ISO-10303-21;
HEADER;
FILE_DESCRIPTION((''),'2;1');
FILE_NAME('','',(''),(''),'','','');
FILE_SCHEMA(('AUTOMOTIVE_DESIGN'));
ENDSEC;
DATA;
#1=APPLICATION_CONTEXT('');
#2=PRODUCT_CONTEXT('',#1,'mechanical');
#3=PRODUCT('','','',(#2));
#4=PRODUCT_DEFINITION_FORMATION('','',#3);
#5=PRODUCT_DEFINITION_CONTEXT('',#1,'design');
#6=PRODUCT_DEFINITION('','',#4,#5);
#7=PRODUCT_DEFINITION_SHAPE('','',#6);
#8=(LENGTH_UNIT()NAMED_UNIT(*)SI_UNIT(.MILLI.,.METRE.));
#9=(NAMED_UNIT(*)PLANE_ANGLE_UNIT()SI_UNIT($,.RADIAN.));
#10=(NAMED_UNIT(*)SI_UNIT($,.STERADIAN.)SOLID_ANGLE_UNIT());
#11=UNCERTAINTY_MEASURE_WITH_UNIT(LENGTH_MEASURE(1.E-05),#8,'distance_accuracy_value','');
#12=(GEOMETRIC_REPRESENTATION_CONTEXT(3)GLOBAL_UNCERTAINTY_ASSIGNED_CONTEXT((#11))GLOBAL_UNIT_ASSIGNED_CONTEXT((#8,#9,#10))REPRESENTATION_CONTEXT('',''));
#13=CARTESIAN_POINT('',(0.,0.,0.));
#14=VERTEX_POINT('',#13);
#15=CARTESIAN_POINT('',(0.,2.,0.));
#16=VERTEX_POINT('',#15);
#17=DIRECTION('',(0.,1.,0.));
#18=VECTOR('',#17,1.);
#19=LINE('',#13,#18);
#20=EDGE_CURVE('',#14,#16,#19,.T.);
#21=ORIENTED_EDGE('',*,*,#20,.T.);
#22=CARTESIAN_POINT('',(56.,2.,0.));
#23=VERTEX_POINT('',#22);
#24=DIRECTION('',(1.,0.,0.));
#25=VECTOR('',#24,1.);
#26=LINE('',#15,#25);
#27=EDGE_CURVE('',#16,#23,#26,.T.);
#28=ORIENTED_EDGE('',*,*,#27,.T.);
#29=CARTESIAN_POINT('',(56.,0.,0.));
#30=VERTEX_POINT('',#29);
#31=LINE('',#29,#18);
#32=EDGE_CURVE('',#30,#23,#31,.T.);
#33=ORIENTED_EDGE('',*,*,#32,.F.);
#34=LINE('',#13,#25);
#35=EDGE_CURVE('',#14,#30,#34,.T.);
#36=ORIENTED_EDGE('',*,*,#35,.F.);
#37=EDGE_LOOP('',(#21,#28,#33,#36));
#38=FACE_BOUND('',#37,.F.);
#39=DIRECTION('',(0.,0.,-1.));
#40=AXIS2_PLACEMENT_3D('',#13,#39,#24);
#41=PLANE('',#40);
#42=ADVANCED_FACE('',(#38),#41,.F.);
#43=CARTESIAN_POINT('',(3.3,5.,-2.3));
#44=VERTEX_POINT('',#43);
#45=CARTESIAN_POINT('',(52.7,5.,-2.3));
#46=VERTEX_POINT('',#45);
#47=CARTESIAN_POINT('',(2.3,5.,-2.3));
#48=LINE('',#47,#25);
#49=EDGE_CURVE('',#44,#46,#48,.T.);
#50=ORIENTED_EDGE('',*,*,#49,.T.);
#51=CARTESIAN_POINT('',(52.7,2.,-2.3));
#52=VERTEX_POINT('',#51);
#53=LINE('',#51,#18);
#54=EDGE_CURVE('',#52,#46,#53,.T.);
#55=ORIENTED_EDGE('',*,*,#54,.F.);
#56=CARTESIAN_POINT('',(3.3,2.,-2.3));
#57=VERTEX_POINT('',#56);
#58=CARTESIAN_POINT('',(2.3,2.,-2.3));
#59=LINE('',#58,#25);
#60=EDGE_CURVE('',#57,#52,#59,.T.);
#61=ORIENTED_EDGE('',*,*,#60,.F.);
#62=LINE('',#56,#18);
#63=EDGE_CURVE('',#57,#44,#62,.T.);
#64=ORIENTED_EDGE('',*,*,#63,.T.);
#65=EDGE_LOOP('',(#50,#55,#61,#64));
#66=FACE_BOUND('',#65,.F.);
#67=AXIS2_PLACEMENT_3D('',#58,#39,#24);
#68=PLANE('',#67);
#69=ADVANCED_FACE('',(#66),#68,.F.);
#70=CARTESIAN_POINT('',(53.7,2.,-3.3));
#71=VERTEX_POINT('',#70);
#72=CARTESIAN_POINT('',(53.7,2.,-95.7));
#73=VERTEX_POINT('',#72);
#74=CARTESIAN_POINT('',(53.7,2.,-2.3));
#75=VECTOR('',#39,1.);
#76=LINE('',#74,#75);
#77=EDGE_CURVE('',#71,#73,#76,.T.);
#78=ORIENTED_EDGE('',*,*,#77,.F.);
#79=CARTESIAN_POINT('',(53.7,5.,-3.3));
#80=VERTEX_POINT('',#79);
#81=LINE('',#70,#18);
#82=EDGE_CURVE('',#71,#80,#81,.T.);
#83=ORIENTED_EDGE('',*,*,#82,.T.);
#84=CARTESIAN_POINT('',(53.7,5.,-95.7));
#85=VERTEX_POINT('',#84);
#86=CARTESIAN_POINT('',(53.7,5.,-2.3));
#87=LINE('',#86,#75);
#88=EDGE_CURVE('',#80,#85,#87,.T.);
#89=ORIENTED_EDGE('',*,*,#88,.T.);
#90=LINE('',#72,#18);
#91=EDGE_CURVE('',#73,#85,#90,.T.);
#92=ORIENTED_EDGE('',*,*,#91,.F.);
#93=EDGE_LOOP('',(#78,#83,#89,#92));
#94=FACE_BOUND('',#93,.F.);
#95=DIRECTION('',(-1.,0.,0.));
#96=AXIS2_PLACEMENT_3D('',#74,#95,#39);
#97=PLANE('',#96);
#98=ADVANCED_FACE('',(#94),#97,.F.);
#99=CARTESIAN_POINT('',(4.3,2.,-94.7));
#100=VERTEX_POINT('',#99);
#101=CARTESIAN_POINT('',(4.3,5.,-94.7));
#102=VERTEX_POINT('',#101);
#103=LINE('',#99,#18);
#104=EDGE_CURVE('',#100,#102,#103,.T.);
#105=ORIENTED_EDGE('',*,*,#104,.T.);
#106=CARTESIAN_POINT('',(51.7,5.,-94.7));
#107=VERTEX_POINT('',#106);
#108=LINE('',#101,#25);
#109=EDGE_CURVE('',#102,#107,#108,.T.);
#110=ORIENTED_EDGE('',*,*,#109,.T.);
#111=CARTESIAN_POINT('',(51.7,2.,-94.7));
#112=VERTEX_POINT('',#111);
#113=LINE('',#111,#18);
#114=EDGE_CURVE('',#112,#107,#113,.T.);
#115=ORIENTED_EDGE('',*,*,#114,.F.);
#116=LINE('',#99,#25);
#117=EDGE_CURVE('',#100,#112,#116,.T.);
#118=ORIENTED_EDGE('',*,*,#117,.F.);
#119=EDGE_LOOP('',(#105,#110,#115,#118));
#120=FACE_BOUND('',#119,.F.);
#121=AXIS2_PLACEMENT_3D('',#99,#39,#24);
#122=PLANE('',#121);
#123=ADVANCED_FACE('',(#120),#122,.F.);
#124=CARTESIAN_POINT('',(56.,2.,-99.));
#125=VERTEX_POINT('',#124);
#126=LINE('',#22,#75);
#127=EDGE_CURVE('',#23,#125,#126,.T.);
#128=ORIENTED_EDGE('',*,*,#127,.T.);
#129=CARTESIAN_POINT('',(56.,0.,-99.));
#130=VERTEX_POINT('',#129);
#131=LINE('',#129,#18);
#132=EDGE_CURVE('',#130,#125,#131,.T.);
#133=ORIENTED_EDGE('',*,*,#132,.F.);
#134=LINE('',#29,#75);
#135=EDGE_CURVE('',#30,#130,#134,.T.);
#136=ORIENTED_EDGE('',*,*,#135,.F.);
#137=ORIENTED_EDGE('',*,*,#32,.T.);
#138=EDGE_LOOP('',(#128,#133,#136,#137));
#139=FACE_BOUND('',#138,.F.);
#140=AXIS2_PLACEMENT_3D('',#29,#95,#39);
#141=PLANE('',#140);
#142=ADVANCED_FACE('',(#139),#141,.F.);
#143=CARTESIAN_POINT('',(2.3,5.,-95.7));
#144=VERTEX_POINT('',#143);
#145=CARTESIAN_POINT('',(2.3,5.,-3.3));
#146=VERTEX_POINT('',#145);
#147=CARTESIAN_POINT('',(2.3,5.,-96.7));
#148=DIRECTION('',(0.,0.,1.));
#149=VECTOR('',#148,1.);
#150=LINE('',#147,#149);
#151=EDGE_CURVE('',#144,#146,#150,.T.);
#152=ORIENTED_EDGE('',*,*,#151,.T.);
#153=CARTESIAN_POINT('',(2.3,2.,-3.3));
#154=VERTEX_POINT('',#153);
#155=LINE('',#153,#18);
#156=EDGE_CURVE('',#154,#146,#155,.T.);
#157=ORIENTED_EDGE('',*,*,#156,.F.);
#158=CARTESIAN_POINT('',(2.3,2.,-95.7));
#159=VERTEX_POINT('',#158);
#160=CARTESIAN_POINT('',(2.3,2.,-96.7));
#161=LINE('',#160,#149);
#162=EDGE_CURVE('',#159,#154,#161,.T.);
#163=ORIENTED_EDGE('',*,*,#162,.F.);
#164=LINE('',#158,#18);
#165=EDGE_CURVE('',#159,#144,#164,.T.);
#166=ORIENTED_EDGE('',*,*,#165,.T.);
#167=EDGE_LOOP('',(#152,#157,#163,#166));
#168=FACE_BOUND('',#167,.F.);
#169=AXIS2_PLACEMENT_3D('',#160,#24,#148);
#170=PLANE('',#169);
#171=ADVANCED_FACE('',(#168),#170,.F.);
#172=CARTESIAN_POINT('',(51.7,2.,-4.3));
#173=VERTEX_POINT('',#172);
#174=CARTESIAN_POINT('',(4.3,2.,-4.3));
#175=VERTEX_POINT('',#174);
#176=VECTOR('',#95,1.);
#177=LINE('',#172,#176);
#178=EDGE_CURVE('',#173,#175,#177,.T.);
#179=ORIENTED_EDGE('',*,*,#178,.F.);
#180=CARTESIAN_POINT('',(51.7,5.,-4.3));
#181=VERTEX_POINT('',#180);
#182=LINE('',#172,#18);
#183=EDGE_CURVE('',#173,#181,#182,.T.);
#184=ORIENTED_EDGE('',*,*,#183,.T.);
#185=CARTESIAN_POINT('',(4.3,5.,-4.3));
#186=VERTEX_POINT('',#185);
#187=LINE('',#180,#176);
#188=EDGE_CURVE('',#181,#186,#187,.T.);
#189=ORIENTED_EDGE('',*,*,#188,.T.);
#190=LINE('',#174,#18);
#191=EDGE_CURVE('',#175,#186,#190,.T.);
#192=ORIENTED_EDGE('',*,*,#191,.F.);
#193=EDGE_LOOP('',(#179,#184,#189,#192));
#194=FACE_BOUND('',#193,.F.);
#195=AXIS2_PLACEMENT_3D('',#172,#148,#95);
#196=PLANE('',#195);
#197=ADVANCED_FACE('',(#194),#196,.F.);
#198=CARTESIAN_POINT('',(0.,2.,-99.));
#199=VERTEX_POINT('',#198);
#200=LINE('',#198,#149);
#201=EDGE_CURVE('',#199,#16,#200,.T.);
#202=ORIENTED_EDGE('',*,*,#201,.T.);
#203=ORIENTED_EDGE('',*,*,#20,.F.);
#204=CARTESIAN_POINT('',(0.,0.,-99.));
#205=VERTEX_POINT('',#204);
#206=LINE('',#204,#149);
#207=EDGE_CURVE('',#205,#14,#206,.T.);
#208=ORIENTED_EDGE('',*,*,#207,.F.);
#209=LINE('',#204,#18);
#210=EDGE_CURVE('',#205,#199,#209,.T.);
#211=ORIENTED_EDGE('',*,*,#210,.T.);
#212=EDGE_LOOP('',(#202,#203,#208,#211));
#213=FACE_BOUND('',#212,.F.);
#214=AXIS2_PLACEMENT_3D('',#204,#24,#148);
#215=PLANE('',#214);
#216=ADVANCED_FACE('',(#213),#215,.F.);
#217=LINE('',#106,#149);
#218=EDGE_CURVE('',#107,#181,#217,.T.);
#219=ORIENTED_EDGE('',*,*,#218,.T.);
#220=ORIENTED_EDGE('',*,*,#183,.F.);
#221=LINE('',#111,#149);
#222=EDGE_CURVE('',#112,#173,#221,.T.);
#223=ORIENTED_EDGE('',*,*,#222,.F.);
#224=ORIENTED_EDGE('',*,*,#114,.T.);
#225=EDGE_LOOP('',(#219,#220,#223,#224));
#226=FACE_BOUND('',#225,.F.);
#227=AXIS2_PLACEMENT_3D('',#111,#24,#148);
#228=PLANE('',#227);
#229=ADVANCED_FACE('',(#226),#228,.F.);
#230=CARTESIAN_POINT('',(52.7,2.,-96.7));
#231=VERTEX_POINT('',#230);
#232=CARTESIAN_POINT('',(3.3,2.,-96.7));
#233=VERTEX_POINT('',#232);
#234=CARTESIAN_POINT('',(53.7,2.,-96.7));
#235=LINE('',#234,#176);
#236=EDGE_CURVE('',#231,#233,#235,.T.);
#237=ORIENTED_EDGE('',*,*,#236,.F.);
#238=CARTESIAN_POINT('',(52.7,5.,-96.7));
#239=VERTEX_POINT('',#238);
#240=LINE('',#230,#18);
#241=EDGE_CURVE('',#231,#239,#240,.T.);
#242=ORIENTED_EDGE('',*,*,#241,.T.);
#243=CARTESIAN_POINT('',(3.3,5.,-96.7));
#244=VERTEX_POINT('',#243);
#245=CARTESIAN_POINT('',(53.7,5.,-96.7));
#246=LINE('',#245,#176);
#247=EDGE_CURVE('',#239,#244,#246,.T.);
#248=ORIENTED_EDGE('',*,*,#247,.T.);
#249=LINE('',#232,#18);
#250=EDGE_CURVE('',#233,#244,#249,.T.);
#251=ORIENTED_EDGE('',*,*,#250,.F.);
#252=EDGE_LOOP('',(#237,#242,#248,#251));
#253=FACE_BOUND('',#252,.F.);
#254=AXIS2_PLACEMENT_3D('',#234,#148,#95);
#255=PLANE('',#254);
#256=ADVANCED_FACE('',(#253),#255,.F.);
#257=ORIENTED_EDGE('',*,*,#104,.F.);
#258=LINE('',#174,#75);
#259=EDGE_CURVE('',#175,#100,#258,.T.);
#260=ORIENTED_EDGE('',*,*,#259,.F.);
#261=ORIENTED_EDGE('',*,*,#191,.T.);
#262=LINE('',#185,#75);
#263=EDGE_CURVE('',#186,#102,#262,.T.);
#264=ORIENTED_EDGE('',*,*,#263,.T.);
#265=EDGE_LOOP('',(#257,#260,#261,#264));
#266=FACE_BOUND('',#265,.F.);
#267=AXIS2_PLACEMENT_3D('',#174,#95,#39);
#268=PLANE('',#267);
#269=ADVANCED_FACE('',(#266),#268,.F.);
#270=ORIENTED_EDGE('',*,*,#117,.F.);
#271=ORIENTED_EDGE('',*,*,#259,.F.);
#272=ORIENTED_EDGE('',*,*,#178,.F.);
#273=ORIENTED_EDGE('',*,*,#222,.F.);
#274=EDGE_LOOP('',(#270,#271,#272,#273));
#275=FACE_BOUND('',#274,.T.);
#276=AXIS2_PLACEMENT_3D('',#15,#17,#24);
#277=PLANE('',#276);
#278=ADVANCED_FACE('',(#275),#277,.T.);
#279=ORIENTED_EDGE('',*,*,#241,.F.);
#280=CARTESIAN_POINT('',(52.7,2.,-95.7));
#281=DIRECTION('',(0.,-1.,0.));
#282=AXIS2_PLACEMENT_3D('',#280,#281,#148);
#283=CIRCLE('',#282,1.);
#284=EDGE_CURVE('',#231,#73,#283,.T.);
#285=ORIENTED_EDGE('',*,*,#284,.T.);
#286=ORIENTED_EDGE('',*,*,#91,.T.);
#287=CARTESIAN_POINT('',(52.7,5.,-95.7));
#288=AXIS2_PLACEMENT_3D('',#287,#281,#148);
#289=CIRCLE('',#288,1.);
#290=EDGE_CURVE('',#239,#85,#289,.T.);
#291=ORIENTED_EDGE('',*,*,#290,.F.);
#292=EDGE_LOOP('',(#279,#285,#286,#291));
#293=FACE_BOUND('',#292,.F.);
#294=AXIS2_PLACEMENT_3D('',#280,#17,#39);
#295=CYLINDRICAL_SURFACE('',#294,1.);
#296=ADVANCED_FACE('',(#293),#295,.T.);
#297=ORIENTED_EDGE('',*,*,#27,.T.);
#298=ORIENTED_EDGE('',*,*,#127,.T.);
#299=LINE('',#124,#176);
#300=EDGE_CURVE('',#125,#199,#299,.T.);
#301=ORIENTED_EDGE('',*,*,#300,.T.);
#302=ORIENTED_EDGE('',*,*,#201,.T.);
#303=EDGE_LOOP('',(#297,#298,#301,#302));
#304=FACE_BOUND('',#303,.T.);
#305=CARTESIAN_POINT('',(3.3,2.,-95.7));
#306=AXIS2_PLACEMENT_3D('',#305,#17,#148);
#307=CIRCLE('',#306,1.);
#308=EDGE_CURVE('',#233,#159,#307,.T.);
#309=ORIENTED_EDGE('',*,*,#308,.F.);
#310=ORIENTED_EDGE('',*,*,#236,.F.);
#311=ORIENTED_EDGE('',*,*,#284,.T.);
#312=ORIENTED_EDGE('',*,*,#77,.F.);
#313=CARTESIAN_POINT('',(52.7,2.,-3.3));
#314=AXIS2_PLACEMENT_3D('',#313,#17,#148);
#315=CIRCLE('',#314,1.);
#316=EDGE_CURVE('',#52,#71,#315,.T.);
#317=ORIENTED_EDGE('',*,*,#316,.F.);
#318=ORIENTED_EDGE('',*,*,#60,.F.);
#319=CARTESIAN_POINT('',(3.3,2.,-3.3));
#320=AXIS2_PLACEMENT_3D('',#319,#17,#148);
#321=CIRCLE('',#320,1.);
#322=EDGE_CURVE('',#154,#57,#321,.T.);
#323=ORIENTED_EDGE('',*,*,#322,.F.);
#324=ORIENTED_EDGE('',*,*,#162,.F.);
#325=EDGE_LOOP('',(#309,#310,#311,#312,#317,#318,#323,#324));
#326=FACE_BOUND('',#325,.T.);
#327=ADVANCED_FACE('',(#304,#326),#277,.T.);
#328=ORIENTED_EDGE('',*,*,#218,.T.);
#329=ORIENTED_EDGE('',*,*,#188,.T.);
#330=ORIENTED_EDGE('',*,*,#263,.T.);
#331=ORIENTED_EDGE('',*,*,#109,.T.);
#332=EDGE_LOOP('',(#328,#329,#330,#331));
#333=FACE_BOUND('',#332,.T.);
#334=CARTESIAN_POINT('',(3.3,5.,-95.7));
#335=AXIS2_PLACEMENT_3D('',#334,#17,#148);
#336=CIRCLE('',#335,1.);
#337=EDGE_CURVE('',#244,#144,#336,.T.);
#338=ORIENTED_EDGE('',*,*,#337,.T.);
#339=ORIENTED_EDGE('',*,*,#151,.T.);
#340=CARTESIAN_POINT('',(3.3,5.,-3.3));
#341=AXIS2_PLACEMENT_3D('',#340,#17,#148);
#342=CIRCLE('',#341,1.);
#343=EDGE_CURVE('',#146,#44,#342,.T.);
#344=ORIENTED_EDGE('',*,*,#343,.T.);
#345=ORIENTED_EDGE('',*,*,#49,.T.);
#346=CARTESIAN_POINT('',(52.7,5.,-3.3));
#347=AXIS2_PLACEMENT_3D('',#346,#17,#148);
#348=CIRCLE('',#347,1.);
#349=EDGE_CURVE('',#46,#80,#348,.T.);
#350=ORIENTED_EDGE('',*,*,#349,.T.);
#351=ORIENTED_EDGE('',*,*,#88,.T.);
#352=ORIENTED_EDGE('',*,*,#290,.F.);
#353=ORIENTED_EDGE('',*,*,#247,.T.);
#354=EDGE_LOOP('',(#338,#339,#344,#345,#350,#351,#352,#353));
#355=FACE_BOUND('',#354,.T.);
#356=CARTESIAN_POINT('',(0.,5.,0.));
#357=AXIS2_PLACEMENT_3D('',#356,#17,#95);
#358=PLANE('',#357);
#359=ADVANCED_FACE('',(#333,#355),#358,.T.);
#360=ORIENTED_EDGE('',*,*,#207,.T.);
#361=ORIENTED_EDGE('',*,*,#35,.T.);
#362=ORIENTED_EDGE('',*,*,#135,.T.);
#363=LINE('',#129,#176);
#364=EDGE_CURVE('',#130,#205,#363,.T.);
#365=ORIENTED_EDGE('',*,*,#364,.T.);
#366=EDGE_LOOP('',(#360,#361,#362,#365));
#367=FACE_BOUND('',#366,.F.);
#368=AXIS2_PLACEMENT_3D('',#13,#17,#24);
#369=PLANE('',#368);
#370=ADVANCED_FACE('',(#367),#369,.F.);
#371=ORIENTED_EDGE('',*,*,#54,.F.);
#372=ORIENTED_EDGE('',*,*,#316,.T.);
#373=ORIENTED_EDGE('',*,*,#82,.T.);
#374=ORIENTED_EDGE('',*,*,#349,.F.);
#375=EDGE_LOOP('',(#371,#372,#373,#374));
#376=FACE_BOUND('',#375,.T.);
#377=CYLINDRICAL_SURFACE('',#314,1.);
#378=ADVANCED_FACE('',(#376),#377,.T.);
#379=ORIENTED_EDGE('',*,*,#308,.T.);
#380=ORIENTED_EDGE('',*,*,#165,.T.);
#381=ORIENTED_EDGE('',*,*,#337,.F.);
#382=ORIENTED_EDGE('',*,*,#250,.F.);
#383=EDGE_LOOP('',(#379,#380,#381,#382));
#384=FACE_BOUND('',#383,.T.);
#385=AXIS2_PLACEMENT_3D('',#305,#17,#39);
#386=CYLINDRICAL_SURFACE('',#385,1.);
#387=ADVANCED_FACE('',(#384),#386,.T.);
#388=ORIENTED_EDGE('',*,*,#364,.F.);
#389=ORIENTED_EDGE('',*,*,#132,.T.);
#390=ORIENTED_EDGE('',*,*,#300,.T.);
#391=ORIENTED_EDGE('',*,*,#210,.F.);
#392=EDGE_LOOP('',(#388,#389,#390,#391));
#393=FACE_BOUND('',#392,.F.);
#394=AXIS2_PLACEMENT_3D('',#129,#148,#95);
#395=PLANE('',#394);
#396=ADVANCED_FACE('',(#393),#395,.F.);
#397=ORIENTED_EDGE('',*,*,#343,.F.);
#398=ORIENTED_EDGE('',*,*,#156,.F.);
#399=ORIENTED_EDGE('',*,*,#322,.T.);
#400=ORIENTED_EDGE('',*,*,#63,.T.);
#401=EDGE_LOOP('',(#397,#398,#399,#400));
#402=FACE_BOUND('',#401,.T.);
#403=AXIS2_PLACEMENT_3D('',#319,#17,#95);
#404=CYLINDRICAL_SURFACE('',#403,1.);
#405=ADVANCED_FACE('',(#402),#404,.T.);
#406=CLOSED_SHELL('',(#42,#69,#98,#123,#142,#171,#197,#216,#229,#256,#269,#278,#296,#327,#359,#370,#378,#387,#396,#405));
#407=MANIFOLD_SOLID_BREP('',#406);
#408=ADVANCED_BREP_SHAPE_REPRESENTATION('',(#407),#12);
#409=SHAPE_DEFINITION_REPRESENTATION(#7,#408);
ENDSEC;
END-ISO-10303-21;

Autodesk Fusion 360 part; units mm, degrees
sketch "Boceto1" plane through (0, 0, 0) normal (0, 1, 0) x (1, 0, 0)
  line L0 (0, 0) -> (56, 0)
  line L1 (56, 0) -> (56, 99)
  line L2 (56, 99) -> (0, 99)
  line L3 (0, 99) -> (0, 0)
  dimension "d1" = 99
  dimension "d2" = 56
extrude "Extruir1" add sketch "Boceto1" along normal blind 2
sketch "Boceto2" plane through (0, 2, 0) normal (0, 1, 0) x (-1, 0, 0)
  line L0 (0, -99) -> (0, 0)
  line L1 (0, 0) -> (-56, 0)
  line L2 (-56, 0) -> (-56, -99)
  line L3 (-56, -99) -> (0, -99)
  line L4 (-2.3, -96.7) -> (-2.3, -2.3)
  line L5 (-2.3, -2.3) -> (-53.7, -2.3)
  line L6 (-53.7, -2.3) -> (-53.7, -96.7)
  line L7 (-53.7, -96.7) -> (-2.3, -96.7)
  line L8 (-4.3, -94.7) -> (-51.7, -94.7)
  line L9 (-51.7, -94.7) -> (-51.7, -4.3)
  line L10 (-51.7, -4.3) -> (-4.3, -4.3)
  line L11 (-4.3, -4.3) -> (-4.3, -94.7)
  dimension "d5" = -2.3
  dimension "d6" = 2
  dimension "d7" = 2
  dimension "d8" = 2
  dimension "d9" = 2
extrude "Extruir2" add sketch "Boceto2" along normal blind 3 contours L4 L5 L6 L7
fillet "Empalme1" radius 1 4 edges at (2.3, 3.5, -96.7) (53.7, 3.5, -96.7) (53.7, 3.5, -2.3) (2.3, 3.5, -2.3)
